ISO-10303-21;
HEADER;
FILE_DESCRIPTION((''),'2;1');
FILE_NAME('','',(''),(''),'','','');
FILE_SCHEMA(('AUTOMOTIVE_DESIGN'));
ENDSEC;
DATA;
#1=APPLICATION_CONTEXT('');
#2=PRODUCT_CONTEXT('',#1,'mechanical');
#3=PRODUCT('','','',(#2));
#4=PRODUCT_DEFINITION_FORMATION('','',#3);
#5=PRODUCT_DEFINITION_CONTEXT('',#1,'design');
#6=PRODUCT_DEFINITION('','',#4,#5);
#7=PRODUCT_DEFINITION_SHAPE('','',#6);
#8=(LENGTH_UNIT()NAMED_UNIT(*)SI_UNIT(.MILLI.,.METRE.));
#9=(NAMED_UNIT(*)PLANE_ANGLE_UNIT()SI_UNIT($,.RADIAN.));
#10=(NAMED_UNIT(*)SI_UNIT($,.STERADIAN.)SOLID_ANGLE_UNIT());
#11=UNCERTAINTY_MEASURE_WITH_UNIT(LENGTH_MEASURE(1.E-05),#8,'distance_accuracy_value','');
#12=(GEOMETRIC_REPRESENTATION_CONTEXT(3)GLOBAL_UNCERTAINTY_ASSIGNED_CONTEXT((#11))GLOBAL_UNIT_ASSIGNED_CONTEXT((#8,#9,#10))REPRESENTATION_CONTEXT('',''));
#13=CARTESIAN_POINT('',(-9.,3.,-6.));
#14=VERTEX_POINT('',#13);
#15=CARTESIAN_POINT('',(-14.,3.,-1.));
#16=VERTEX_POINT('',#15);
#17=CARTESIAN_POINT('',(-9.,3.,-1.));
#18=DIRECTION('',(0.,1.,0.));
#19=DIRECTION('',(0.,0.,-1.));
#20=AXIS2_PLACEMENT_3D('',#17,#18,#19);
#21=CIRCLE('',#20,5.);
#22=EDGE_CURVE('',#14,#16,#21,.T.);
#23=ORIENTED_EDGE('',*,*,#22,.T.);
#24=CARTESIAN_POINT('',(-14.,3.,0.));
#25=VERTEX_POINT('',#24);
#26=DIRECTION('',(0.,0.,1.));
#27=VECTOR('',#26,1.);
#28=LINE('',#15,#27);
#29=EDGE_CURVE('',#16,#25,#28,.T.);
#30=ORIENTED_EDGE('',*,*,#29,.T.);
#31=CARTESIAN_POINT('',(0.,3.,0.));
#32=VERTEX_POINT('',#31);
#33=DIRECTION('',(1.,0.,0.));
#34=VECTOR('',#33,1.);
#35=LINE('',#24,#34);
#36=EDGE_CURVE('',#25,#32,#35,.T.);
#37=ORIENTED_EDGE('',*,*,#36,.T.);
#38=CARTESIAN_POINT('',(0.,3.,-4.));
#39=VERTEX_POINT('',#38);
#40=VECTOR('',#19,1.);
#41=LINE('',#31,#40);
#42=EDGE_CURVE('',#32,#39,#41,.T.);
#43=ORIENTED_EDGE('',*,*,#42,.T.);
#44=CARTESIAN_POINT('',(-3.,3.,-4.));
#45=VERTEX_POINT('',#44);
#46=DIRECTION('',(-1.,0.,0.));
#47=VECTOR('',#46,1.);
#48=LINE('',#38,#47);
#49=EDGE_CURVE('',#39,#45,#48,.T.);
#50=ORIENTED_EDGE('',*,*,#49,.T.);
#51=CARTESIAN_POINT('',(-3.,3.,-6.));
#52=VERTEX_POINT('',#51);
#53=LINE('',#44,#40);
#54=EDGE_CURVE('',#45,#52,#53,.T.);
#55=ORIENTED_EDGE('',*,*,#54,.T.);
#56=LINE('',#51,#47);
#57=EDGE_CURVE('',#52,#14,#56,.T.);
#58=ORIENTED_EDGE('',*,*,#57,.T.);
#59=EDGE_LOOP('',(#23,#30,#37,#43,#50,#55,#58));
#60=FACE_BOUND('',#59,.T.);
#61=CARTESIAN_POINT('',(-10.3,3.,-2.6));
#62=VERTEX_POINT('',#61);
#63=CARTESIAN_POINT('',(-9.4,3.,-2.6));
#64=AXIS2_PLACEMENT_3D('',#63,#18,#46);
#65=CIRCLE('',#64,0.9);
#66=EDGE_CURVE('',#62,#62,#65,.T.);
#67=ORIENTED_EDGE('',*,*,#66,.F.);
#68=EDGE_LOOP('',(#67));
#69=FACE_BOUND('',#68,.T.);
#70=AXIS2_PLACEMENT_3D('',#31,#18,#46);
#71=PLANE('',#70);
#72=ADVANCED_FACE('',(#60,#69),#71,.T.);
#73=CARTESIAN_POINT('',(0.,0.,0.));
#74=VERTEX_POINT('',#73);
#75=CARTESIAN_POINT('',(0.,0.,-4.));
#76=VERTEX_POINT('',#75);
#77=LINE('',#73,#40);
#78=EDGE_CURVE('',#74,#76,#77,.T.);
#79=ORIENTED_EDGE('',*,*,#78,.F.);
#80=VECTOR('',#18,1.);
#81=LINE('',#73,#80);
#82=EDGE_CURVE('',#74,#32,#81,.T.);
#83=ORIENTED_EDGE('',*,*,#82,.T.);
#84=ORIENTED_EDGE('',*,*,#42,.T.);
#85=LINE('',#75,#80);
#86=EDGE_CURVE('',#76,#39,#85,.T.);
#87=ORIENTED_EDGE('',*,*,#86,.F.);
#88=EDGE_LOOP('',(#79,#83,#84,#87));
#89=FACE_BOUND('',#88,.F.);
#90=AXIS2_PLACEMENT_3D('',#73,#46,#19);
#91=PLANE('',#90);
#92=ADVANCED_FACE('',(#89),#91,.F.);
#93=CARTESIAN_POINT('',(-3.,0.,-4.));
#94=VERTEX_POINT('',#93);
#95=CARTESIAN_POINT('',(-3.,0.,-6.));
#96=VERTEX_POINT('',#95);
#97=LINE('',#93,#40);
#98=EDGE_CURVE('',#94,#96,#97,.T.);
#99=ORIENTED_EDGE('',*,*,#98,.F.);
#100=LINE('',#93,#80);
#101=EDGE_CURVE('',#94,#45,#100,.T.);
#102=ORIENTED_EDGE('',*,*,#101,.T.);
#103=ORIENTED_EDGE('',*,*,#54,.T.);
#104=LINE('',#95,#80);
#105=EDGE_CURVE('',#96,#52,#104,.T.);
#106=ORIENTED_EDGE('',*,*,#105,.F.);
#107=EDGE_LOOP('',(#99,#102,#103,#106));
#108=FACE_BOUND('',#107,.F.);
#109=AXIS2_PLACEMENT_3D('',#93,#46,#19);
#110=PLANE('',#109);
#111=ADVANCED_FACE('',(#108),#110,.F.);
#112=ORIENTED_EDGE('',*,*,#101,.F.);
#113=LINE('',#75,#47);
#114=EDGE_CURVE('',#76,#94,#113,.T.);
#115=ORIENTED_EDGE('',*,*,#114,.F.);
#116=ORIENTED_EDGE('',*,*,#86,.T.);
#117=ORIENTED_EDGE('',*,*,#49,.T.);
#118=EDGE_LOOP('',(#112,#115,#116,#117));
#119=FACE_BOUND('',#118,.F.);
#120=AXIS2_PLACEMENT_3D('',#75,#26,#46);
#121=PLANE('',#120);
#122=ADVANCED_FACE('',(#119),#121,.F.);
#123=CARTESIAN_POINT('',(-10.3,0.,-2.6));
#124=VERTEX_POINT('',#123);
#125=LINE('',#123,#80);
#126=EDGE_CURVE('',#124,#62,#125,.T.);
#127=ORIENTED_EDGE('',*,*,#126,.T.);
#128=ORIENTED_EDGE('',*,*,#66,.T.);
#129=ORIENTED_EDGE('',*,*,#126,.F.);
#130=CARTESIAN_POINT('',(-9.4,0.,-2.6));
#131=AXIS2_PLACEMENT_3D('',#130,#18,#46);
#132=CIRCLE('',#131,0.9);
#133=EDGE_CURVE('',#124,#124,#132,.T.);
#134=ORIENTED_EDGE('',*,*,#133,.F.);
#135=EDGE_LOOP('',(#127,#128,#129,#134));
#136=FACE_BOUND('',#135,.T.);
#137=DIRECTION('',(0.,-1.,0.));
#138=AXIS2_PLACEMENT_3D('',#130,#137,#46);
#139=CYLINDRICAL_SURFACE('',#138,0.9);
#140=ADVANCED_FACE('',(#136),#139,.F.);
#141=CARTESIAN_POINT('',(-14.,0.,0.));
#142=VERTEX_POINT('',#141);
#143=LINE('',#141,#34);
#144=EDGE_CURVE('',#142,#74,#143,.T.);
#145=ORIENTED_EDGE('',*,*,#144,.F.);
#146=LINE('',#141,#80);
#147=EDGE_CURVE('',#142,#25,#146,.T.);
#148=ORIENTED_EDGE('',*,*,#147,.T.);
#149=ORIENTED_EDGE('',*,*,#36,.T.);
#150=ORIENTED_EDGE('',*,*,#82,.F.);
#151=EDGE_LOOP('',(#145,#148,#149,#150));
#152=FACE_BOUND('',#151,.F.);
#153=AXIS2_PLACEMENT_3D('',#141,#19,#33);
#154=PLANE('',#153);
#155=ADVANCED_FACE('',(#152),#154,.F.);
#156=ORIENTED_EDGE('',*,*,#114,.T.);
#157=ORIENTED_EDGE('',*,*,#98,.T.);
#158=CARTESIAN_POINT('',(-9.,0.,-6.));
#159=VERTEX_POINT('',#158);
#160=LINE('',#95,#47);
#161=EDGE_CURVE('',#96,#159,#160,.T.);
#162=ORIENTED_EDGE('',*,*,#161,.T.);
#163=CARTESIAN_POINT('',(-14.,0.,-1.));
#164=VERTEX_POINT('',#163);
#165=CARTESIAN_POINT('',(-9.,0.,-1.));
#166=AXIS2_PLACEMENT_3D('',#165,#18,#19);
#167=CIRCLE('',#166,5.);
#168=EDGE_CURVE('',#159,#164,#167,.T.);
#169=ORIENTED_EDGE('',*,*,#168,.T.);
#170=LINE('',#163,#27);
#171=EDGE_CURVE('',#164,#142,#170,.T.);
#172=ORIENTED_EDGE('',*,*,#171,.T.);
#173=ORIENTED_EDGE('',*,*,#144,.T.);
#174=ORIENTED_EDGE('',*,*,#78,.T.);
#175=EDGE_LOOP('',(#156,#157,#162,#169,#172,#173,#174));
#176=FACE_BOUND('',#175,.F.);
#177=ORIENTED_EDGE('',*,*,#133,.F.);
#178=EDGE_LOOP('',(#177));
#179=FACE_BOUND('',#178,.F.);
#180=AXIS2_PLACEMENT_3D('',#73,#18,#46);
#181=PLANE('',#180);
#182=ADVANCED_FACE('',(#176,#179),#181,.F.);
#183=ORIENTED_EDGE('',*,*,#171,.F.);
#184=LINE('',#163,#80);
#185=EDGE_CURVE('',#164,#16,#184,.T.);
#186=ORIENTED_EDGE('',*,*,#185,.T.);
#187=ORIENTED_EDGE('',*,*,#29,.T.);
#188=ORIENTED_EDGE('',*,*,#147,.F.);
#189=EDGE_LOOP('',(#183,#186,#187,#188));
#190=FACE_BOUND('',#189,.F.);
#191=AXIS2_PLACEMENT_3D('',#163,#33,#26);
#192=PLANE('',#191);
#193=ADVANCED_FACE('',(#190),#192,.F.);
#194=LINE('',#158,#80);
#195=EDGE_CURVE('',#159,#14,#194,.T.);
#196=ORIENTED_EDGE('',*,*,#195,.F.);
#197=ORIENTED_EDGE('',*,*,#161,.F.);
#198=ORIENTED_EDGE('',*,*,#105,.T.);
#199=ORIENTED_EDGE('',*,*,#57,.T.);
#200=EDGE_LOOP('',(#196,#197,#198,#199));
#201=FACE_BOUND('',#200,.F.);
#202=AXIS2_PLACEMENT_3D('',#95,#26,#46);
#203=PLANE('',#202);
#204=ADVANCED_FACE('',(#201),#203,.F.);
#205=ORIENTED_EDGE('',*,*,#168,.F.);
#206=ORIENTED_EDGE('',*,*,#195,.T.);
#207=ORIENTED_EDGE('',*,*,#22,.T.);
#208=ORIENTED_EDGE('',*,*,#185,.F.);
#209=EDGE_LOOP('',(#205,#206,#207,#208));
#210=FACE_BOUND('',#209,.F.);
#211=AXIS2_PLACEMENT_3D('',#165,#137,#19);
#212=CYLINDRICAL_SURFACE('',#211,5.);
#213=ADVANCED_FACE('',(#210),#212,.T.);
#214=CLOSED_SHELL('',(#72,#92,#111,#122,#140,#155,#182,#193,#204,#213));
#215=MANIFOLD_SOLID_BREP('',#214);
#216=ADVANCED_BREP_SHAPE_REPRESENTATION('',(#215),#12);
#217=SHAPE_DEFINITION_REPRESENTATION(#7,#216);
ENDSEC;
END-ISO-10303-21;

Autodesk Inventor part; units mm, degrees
ref_plane "YZ Plane" through (0, 0, 0) normal (1, 0, 0) x (0, 1, 0)
ref_plane "XZ Plane" through (0, 0, 0) normal (0, 1, 0) x (-1, 0, 0)
ref_plane "XY Plane" through (0, 0, 0) normal (0, 0, 1) x (1, 0, 0)
sketch "Sketch1" plane through (0, 0, 0) normal (0, 1, 0) x (-1, 0, 0)
  line L0 (0, 0) -> (0, -4)
  line L1 (0, -4) -> (3, -4)
  line L2 (3, -4) -> (3, -6)
  line L3 (3, -6) -> (9, -6)
  line L4 (14, -1) -> (14, 0)
  line L5 (14, 0) -> (0, 0)
  circle A0 centre (9.4, -2.6) radius 0.9
  arc A1 (9, -6) -> (14, -1) centre (9, -1) ccw
  dimension "d1" = 6
  dimension "d2" = 2
  dimension "d3" = 3
  dimension "d4" = 14
  dimension "d5" = 2.6
  dimension "d6" = 4.6
  dimension "d7" = 1.8
  dimension "d8" = 5
extrude "Extrusion1" add sketch "Sketch1" along normal blind 3
properties part number "SoporteServo"
